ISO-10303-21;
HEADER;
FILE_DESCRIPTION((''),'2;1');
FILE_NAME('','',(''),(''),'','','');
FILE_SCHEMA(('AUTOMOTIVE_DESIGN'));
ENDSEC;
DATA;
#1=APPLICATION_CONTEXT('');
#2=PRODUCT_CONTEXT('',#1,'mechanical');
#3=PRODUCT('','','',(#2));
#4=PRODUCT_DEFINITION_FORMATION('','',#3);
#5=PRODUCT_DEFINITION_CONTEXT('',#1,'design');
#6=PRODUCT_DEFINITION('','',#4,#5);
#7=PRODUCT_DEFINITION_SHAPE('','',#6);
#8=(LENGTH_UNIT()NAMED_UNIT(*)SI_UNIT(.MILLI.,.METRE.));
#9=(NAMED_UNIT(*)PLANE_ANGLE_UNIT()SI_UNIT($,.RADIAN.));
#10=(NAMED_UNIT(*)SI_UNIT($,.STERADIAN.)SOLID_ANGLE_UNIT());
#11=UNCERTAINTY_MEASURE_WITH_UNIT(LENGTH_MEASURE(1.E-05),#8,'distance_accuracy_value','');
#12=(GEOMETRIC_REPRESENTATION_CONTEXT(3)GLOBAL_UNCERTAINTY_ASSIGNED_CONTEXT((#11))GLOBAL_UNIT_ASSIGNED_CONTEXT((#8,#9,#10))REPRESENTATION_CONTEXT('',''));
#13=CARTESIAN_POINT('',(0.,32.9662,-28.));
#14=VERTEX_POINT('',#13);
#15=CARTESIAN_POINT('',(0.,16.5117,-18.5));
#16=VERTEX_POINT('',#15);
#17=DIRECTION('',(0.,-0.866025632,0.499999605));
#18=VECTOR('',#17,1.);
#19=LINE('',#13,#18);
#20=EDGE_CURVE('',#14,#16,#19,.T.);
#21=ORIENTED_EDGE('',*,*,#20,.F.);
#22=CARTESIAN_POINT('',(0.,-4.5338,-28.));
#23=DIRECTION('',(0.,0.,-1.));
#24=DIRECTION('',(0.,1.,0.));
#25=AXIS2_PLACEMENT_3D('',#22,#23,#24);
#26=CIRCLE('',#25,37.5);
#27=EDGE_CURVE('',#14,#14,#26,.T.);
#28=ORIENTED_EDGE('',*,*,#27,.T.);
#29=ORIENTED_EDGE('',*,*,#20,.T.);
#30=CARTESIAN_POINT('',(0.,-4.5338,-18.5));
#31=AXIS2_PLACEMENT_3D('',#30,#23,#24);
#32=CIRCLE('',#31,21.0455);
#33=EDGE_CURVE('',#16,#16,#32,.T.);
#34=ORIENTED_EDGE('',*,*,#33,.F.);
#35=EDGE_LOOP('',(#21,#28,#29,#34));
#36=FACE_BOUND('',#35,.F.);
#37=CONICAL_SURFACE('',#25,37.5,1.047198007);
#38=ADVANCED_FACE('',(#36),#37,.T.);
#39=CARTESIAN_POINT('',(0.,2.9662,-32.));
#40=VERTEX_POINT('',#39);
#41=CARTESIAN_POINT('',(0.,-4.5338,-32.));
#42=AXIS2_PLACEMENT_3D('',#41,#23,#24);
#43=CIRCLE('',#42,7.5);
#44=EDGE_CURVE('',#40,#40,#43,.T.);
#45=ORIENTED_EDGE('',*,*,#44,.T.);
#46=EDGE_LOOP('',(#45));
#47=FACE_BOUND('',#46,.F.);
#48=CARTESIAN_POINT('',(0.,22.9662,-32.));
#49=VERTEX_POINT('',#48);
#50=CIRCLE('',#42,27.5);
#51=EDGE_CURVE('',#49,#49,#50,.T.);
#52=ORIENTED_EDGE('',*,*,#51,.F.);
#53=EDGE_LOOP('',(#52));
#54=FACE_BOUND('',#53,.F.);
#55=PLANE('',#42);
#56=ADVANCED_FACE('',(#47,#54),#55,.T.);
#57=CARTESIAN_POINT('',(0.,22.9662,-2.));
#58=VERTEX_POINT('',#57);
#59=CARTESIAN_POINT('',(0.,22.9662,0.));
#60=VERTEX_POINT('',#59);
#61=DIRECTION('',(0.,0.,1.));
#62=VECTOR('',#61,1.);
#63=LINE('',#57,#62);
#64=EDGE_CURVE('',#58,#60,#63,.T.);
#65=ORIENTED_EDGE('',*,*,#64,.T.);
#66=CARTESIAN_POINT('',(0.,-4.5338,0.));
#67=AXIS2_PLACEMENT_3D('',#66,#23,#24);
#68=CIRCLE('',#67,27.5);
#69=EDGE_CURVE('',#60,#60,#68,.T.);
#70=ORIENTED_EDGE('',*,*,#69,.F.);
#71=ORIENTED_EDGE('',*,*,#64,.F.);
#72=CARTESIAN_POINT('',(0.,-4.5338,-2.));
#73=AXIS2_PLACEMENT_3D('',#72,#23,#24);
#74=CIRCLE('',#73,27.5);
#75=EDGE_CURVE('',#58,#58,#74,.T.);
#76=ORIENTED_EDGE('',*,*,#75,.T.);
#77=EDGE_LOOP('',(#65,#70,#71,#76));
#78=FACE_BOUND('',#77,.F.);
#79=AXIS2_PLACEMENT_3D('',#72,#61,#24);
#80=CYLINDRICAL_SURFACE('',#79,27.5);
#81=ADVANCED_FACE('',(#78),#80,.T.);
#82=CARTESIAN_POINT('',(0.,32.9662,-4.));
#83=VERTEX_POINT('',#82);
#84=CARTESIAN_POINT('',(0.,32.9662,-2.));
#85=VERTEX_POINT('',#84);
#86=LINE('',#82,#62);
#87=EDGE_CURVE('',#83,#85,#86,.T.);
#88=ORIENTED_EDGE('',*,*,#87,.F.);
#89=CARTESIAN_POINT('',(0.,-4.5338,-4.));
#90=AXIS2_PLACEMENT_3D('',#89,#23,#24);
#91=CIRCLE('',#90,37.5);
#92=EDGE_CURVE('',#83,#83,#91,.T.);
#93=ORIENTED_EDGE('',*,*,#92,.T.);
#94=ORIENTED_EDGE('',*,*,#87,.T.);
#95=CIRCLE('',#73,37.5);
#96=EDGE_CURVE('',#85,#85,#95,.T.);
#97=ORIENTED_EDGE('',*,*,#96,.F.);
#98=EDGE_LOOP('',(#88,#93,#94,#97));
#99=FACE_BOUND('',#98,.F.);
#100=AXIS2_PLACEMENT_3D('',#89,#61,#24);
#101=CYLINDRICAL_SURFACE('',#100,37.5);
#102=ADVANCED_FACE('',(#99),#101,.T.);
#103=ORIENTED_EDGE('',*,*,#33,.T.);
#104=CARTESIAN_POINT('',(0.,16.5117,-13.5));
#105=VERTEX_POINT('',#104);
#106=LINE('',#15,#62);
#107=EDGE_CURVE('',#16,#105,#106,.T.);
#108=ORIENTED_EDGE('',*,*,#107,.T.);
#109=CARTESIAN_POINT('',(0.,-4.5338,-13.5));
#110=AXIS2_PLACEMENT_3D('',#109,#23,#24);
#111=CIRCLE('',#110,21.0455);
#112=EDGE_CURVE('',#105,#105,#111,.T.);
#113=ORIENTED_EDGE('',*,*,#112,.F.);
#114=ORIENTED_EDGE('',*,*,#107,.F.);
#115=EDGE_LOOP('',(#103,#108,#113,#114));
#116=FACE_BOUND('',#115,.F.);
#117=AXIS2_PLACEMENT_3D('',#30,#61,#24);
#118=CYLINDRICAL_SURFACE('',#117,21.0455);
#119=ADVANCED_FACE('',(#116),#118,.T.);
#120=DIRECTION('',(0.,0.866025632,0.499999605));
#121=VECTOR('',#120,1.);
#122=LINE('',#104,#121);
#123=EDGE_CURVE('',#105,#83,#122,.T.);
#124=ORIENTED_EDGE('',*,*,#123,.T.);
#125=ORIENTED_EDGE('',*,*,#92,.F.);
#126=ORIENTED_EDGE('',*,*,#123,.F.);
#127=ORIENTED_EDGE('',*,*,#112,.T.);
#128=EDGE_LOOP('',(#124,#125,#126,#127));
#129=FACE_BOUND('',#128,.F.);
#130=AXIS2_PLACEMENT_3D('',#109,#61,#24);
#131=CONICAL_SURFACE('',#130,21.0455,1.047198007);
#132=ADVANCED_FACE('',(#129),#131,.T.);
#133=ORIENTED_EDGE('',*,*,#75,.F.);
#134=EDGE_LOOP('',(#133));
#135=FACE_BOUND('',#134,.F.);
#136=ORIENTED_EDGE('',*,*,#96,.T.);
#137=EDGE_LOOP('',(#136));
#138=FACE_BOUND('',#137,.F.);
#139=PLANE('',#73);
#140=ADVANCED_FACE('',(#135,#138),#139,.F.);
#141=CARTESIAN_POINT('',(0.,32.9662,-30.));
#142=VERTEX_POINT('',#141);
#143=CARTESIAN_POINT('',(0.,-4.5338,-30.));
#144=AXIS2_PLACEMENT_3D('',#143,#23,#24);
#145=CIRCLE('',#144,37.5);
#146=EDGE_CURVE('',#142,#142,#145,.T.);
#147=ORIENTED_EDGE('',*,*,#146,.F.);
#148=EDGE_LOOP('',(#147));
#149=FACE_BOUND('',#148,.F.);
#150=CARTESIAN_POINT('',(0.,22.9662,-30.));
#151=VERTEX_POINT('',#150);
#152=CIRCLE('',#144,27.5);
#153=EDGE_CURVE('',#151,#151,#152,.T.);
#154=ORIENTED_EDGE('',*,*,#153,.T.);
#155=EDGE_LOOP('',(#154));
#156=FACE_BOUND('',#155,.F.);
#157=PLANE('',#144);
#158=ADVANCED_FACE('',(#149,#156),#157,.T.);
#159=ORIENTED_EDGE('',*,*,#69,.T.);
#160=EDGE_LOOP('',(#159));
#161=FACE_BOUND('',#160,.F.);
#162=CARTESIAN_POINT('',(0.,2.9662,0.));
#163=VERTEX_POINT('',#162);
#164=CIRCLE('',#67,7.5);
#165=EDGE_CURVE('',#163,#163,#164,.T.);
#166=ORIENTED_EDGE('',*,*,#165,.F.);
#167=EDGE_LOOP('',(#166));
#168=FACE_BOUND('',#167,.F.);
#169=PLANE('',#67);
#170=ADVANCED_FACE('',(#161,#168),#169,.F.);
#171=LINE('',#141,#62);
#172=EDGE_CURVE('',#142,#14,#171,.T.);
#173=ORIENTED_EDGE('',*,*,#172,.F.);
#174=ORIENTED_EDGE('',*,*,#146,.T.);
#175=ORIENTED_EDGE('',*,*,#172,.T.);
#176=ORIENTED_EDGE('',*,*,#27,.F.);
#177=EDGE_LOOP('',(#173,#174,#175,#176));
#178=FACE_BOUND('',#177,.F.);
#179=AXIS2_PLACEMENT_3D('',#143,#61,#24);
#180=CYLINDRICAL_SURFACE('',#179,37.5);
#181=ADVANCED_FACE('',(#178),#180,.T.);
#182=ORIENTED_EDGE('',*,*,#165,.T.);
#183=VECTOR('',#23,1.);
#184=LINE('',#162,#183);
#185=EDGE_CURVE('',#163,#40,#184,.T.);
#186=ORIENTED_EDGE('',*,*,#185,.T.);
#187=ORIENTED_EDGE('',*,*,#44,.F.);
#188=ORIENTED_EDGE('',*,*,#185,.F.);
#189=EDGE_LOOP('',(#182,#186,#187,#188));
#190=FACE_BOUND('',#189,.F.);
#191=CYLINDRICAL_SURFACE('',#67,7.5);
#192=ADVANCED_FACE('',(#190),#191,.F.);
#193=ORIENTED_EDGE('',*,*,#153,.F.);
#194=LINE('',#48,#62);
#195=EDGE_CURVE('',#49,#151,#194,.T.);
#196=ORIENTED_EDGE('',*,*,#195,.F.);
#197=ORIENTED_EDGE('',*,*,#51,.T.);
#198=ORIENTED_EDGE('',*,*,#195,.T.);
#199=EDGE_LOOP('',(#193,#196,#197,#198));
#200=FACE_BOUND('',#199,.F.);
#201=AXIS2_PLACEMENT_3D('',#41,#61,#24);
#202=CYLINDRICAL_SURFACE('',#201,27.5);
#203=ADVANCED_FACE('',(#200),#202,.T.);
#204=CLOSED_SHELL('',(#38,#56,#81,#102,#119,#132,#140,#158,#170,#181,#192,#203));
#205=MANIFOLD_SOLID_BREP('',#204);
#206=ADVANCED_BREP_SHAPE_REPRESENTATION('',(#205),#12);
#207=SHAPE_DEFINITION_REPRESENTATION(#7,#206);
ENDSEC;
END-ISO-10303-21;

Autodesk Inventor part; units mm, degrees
ref_plane "YZ Plane" through (0, 0, 0) normal (1, 0, 0) x (0, 1, 0)
ref_plane "XZ Plane" through (0, 0, 0) normal (0, 1, 0) x (-1, 0, 0)
ref_plane "XY Plane" through (0, 0, 0) normal (0, 0, 1) x (1, 0, 0)
sketch "Sketch1" plane through (0, 0, 0) normal (1, 0, 0) x (0, 1, 0)
  line L0 (2.9662, 0) -> (2.9662, -32)
  line L1 (2.9662, -32) -> (22.9662, -32)
  line L2 (22.9662, -32) -> (22.9662, -30)
  line L3 (22.9662, -30) -> (32.9662, -30)
  line L4 (32.9662, -30) -> (32.9662, -28)
  line L5 (32.9662, -28) -> (16.5117, -18.5)
  line L6 (16.5117, -18.5) -> (16.5117, -13.5)
  line L7 (16.5117, -13.5) -> (32.9662, -4)
  line L8 (32.9662, -4) -> (32.9662, -2)
  line L9 (32.9662, -2) -> (22.9662, -2)
  line L10 (22.9662, -2) -> (22.9662, 0)
  line L11 (22.9662, 0) -> (2.9662, 0)
  line L12 (0, 0) -> (34.8019, 0) construction
  line L13 (-4.5338, 0.8694) -> (-4.5338, -29.1306)
  dimension "d0" = 32
  dimension "d1" = 20
  dimension "d2" = 2
  dimension "d3" = 10
  dimension "d4" = 2
  dimension "d5" = 5
  dimension "d6" = 2
  dimension "d7" = 10
  dimension "d8" = 2
  dimension "d9" = 60
  dimension "d16" = 32.9662
  dimension "d17" = 1.8357
  dimension "d20" = 30
  dimension "d21" = 15
revolve "Revolution1" add sketch "Sketch1" angle 360 about axis through (0, -4.5338, 0.8694) along (0, 0, -1)
properties part number "Rand1"
